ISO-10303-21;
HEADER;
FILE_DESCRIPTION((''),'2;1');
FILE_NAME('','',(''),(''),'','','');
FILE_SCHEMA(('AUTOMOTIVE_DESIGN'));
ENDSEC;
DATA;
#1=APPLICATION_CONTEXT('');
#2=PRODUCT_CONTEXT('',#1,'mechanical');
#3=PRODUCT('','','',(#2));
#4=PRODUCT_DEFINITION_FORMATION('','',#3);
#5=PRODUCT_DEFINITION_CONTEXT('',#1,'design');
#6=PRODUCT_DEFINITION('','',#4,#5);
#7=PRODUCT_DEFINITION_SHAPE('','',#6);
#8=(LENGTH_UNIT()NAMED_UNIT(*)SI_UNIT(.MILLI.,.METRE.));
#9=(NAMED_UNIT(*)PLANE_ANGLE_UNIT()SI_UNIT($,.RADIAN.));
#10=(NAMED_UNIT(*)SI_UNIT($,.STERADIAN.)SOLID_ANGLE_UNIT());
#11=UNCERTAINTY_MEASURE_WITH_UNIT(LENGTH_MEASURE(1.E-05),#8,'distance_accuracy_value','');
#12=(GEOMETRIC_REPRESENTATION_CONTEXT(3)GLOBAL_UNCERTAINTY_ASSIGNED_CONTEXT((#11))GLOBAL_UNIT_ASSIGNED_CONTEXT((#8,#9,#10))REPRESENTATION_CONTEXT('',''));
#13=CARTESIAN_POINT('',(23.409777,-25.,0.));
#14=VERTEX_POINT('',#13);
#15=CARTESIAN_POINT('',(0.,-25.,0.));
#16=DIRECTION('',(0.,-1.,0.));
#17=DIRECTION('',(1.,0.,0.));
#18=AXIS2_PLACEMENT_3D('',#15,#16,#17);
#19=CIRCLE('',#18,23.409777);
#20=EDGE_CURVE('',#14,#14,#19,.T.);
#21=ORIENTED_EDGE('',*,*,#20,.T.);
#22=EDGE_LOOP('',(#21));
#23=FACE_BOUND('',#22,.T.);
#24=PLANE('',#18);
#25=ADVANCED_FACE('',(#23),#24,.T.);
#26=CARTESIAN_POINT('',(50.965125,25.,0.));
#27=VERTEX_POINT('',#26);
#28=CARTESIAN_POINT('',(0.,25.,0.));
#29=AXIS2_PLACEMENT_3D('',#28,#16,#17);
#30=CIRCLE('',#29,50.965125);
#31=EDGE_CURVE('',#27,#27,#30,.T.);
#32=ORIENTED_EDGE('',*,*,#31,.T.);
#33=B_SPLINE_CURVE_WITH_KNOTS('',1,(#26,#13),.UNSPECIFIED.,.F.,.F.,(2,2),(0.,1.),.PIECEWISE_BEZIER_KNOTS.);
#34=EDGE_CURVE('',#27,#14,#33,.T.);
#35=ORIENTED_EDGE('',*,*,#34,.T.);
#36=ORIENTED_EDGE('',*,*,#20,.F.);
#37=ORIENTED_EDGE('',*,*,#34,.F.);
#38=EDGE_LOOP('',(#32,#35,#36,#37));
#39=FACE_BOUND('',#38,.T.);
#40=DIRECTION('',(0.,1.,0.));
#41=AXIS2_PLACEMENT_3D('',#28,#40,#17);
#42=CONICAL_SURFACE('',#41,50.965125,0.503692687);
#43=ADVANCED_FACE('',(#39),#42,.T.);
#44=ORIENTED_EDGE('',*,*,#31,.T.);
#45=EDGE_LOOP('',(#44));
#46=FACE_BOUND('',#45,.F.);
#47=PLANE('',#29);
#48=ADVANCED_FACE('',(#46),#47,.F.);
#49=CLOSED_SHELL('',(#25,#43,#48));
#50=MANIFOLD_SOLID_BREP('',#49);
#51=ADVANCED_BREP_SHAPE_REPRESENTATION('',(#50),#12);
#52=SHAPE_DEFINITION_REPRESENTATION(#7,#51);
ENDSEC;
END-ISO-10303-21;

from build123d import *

# Parameters (mm, degrees)
F2_R = 50.965125
F3_R = 23.409777


with BuildPart() as f4:
    # F2 (on offset) → F4 section 0
    with BuildSketch(Plane.XZ.offset(-25)):
        Circle(F2_R)
    # F3 (on offset) → F4 section 1
    with BuildSketch(Plane.XZ.offset(25)):
        Circle(F3_R)
    loft()


solid = f4.part
